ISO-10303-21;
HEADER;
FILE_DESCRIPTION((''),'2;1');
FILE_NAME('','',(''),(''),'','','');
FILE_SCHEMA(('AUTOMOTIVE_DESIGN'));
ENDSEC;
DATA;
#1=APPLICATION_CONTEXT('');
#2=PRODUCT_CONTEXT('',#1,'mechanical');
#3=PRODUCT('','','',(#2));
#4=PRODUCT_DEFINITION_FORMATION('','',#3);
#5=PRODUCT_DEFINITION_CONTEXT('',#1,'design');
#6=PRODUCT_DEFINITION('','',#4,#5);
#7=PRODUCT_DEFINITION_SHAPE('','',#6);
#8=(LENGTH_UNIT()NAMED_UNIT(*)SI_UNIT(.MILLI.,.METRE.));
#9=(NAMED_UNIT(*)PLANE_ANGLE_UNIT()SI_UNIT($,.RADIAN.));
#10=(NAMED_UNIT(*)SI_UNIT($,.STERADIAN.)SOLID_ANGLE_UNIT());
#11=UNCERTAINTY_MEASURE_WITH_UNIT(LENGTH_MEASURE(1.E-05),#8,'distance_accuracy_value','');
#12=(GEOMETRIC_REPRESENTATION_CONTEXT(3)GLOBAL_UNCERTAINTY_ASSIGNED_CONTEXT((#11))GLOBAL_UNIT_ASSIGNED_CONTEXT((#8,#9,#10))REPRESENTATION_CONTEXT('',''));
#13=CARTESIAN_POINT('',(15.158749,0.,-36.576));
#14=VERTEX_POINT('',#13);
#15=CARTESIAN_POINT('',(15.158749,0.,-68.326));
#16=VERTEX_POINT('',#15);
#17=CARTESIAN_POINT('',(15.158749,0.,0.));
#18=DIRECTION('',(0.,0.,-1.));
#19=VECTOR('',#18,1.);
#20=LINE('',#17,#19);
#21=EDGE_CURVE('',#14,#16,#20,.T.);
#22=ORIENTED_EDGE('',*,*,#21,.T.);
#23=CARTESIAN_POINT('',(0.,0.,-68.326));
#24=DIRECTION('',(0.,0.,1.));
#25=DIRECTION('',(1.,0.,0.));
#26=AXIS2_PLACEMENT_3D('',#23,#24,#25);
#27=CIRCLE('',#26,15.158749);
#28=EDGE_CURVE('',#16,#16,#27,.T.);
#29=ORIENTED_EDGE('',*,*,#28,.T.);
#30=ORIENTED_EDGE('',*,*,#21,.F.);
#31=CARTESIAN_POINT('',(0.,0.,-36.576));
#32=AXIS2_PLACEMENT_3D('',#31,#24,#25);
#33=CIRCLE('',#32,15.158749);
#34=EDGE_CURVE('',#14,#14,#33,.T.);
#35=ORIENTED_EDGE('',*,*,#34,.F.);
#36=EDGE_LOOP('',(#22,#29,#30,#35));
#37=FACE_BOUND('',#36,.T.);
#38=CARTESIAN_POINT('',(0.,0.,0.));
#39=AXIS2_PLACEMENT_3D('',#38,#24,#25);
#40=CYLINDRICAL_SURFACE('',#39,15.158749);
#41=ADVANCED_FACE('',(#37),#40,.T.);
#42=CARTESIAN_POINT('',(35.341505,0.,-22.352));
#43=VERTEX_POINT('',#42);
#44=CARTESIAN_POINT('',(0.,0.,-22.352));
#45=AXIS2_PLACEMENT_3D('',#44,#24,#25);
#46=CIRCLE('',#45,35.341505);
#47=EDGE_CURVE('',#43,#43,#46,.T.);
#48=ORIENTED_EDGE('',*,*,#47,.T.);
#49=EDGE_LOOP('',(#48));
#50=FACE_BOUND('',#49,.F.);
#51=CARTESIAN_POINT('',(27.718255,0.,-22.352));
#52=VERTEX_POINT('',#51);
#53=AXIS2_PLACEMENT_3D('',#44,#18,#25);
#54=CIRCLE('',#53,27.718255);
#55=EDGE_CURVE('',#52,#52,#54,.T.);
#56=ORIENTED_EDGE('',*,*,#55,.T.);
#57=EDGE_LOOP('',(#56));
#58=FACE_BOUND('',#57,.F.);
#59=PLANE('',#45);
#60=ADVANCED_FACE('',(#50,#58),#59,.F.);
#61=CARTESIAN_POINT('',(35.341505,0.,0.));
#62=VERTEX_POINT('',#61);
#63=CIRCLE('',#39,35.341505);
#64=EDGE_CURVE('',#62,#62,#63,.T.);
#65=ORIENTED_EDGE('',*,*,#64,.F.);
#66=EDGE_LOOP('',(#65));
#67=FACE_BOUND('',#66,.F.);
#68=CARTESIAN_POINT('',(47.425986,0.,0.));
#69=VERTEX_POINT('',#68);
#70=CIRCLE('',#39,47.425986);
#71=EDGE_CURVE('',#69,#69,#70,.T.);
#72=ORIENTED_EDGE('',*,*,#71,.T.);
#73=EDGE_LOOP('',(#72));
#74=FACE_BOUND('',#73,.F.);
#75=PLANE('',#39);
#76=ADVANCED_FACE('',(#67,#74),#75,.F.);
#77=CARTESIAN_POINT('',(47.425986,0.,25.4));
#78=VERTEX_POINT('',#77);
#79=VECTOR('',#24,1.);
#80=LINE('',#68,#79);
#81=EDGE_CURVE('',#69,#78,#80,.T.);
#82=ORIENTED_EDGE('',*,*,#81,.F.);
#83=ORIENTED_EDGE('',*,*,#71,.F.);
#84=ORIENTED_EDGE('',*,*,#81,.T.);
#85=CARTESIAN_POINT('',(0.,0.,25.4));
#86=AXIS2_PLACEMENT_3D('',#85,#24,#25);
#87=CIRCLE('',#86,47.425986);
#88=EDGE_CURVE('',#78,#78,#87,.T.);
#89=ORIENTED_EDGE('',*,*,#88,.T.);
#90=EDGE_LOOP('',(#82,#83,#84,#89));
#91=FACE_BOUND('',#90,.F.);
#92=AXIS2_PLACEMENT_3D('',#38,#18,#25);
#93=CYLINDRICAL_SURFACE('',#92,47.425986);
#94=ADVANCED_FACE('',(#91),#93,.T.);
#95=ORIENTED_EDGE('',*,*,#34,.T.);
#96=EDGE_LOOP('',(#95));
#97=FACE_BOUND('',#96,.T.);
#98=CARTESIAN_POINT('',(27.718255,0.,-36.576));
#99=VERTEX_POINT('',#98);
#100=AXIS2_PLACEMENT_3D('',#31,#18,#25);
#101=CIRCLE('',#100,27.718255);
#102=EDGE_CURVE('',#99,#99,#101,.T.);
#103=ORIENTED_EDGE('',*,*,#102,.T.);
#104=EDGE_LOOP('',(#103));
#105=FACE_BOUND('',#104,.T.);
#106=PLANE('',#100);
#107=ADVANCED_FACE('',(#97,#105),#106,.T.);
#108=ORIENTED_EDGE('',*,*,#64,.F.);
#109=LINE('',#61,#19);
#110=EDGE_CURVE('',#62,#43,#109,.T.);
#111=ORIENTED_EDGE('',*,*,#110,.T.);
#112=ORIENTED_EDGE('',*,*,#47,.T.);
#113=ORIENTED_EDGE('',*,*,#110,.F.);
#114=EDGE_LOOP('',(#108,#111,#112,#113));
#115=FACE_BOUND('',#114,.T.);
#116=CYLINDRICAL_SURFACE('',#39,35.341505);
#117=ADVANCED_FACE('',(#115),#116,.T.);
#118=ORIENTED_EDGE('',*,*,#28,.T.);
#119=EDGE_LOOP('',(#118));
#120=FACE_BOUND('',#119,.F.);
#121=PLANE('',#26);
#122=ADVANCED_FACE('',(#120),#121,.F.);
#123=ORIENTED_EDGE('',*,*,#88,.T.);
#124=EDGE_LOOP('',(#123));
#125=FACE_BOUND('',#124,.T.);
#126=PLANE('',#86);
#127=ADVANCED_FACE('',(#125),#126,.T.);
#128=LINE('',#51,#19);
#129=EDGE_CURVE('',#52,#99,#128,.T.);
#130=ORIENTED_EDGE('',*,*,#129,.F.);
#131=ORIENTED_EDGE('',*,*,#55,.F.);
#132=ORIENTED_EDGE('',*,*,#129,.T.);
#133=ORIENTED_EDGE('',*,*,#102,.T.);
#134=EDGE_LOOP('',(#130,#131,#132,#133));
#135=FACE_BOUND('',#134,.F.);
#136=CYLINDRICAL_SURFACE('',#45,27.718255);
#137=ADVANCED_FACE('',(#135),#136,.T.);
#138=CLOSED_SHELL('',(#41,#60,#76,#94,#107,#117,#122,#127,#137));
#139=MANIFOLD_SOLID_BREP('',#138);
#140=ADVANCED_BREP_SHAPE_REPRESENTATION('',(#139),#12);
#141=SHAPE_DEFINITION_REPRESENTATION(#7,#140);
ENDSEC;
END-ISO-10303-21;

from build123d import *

# Parameters (mm, degrees)
F0_R     = 47.425986
F1_DEPTH = 25.4
F2_R     = 35.341505
F3_DEPTH = 22.352
F4_R     = 27.718255
F5_DEPTH = 14.224
F6_R     = 15.158749
F7_DEPTH = 68.326


with BuildPart() as f1:
    # F0 (on Top) → F1 (new body)
    with BuildSketch(Plane.XY):
        Circle(F0_R)
    extrude(amount=F1_DEPTH)

    # F2 (on Top) → F3 (join)
    with BuildSketch(Plane.XY):
        Circle(F2_R)
    extrude(amount=-F3_DEPTH)

    # F4 (on face) → F5 (join)
    with BuildSketch(Plane(origin=(0, 0, -22.352), x_dir=(1, 0, 0), z_dir=(0, 0, -1))):
        Circle(F4_R)
    extrude(amount=F5_DEPTH)

    # F6 (on Top) → F7 (join)
    with BuildSketch(Plane.XY):
        Circle(F6_R)
    extrude(amount=-F7_DEPTH)


solid = f1.part
